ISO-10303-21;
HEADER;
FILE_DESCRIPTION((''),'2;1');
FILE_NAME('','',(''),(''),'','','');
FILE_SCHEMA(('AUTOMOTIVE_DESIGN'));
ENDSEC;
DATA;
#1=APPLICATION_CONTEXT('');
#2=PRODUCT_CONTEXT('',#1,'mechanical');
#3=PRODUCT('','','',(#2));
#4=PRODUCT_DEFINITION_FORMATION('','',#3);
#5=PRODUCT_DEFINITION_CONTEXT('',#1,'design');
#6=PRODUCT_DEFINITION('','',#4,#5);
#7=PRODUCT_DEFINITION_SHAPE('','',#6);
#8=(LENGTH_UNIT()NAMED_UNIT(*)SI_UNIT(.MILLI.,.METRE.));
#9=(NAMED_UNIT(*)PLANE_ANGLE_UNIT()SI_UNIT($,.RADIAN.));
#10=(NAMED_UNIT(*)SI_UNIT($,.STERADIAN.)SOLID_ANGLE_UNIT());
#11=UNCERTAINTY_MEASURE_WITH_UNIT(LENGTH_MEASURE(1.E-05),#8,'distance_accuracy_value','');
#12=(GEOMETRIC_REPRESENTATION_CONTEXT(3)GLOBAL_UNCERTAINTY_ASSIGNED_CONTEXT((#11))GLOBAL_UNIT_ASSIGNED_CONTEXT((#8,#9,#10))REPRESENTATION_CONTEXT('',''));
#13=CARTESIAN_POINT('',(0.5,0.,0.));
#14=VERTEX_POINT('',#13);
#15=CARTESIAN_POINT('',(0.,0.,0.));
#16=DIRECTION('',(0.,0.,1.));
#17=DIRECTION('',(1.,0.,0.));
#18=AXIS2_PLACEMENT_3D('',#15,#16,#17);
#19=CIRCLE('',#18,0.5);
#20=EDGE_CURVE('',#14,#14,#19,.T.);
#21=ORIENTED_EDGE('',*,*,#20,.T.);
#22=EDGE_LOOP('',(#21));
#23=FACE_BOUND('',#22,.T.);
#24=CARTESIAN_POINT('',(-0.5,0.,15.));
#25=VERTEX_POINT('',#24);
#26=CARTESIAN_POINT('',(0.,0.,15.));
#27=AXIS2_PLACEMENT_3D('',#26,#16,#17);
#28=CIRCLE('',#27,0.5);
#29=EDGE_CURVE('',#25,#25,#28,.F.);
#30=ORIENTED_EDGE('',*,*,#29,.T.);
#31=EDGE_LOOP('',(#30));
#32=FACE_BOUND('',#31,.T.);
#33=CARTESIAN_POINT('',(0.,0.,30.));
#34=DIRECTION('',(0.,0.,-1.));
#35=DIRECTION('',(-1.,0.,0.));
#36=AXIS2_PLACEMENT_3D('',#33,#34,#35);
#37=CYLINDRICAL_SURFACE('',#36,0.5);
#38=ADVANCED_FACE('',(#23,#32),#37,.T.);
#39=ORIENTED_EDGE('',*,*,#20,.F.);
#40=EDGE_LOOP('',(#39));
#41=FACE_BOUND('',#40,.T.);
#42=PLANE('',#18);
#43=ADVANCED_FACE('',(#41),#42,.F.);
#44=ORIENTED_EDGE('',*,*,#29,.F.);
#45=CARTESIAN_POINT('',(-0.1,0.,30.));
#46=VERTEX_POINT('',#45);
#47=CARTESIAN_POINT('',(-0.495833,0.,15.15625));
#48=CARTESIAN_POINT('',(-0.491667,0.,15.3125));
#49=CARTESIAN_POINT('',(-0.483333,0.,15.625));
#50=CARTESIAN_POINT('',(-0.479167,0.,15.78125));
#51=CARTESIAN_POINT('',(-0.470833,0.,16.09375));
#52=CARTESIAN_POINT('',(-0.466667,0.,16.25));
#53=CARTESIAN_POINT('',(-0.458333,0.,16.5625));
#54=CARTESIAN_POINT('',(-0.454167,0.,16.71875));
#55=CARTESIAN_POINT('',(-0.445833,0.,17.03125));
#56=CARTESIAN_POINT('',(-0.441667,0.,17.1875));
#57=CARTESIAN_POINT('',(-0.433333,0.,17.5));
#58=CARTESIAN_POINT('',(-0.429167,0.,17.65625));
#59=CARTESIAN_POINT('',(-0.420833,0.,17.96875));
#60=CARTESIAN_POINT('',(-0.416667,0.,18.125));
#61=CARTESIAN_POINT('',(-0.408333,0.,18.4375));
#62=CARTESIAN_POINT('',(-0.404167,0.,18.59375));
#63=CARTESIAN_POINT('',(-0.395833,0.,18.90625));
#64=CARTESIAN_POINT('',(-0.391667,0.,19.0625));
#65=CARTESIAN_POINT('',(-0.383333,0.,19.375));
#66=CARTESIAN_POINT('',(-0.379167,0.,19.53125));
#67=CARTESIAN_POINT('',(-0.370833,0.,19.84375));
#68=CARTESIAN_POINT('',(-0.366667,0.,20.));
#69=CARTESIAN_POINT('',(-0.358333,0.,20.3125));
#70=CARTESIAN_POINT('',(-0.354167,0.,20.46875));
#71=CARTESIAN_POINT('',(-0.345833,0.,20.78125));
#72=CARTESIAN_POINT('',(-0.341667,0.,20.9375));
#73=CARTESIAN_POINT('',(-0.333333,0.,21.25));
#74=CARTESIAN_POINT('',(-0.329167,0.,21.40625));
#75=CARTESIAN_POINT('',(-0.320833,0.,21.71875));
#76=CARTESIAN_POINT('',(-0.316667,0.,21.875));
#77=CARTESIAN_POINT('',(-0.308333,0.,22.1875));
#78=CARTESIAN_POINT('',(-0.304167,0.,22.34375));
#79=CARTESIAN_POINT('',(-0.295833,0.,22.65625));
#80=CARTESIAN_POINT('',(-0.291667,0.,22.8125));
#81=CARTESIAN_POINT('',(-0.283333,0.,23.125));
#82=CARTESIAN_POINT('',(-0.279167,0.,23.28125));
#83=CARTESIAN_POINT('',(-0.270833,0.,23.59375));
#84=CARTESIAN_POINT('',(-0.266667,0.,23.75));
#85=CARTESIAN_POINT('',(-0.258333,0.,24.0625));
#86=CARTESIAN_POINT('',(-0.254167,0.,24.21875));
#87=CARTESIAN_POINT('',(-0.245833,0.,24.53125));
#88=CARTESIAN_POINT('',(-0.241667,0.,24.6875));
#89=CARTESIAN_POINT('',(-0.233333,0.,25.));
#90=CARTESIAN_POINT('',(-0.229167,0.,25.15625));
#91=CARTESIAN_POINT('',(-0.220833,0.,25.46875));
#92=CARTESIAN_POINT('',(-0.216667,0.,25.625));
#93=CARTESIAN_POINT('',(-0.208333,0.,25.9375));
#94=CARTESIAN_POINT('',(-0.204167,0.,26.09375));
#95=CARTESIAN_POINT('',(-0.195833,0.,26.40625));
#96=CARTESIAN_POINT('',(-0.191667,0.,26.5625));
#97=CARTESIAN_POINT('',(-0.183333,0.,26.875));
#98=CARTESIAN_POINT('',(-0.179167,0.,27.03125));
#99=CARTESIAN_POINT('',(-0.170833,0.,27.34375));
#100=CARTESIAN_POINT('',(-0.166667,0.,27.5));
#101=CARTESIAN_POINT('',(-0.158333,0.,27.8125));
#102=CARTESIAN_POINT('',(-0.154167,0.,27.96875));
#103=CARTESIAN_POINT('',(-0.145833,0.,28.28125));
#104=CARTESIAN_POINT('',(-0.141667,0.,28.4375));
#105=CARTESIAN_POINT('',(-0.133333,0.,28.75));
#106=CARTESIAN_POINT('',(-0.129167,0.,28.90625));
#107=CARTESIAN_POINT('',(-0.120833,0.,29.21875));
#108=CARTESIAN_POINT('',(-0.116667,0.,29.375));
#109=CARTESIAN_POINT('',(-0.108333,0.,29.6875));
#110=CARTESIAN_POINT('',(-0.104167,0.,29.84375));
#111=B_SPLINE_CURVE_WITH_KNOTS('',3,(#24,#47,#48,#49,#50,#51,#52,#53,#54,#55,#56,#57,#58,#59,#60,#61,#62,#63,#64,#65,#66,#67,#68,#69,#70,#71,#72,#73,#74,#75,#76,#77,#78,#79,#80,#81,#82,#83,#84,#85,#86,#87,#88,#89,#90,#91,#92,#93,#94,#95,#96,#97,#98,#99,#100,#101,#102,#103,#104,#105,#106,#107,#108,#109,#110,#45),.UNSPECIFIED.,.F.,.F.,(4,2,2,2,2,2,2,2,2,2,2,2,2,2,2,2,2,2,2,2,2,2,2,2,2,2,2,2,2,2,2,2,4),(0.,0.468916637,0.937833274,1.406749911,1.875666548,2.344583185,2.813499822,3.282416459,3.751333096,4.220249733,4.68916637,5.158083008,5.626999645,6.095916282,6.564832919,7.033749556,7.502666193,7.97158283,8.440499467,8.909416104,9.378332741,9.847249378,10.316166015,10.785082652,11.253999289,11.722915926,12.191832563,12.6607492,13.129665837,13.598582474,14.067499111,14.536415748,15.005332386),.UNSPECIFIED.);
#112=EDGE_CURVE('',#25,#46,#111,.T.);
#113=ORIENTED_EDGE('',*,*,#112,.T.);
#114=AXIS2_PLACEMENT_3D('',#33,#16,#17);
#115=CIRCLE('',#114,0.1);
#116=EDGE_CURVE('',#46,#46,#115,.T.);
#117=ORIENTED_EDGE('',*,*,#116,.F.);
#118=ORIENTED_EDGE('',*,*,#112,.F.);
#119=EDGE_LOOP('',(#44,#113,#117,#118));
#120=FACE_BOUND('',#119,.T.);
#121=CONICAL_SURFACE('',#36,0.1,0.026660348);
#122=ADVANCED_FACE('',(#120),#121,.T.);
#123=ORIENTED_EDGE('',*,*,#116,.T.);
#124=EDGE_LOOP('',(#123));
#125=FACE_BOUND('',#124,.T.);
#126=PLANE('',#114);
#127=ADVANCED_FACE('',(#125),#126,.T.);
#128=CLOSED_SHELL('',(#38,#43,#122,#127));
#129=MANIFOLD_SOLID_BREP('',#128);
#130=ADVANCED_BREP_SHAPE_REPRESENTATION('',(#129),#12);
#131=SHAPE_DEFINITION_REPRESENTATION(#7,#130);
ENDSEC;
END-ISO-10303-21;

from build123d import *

# Parameters (mm, degrees)
ESQUISSE1_R        = 0.5
BOSS_EXTRU_1_DEPTH = 30
CHANFREIN1_SIZE    = 15
CHANFREIN1_SIZE2   = 0.4


with BuildPart() as part:
    # Esquisse1 → Boss.-Extru.1 (new body)
    with BuildSketch(Plane.XY):
        Circle(ESQUISSE1_R)
    extrude(amount=BOSS_EXTRU_1_DEPTH)

    # Chanfrein1
    chanfrein1_edges = [part.edges().sort_by_distance(p)[0] for p in [
        (-0.5, 0, 30),
    ]]
    chanfrein1_side = [part.faces().sort_by_distance(p)[0] for p in [
        (-0.5, 0, 15),
    ]]
    chamfer(chanfrein1_edges, length=CHANFREIN1_SIZE, length2=CHANFREIN1_SIZE2, reference=chanfrein1_side[0])


solid = part.part
